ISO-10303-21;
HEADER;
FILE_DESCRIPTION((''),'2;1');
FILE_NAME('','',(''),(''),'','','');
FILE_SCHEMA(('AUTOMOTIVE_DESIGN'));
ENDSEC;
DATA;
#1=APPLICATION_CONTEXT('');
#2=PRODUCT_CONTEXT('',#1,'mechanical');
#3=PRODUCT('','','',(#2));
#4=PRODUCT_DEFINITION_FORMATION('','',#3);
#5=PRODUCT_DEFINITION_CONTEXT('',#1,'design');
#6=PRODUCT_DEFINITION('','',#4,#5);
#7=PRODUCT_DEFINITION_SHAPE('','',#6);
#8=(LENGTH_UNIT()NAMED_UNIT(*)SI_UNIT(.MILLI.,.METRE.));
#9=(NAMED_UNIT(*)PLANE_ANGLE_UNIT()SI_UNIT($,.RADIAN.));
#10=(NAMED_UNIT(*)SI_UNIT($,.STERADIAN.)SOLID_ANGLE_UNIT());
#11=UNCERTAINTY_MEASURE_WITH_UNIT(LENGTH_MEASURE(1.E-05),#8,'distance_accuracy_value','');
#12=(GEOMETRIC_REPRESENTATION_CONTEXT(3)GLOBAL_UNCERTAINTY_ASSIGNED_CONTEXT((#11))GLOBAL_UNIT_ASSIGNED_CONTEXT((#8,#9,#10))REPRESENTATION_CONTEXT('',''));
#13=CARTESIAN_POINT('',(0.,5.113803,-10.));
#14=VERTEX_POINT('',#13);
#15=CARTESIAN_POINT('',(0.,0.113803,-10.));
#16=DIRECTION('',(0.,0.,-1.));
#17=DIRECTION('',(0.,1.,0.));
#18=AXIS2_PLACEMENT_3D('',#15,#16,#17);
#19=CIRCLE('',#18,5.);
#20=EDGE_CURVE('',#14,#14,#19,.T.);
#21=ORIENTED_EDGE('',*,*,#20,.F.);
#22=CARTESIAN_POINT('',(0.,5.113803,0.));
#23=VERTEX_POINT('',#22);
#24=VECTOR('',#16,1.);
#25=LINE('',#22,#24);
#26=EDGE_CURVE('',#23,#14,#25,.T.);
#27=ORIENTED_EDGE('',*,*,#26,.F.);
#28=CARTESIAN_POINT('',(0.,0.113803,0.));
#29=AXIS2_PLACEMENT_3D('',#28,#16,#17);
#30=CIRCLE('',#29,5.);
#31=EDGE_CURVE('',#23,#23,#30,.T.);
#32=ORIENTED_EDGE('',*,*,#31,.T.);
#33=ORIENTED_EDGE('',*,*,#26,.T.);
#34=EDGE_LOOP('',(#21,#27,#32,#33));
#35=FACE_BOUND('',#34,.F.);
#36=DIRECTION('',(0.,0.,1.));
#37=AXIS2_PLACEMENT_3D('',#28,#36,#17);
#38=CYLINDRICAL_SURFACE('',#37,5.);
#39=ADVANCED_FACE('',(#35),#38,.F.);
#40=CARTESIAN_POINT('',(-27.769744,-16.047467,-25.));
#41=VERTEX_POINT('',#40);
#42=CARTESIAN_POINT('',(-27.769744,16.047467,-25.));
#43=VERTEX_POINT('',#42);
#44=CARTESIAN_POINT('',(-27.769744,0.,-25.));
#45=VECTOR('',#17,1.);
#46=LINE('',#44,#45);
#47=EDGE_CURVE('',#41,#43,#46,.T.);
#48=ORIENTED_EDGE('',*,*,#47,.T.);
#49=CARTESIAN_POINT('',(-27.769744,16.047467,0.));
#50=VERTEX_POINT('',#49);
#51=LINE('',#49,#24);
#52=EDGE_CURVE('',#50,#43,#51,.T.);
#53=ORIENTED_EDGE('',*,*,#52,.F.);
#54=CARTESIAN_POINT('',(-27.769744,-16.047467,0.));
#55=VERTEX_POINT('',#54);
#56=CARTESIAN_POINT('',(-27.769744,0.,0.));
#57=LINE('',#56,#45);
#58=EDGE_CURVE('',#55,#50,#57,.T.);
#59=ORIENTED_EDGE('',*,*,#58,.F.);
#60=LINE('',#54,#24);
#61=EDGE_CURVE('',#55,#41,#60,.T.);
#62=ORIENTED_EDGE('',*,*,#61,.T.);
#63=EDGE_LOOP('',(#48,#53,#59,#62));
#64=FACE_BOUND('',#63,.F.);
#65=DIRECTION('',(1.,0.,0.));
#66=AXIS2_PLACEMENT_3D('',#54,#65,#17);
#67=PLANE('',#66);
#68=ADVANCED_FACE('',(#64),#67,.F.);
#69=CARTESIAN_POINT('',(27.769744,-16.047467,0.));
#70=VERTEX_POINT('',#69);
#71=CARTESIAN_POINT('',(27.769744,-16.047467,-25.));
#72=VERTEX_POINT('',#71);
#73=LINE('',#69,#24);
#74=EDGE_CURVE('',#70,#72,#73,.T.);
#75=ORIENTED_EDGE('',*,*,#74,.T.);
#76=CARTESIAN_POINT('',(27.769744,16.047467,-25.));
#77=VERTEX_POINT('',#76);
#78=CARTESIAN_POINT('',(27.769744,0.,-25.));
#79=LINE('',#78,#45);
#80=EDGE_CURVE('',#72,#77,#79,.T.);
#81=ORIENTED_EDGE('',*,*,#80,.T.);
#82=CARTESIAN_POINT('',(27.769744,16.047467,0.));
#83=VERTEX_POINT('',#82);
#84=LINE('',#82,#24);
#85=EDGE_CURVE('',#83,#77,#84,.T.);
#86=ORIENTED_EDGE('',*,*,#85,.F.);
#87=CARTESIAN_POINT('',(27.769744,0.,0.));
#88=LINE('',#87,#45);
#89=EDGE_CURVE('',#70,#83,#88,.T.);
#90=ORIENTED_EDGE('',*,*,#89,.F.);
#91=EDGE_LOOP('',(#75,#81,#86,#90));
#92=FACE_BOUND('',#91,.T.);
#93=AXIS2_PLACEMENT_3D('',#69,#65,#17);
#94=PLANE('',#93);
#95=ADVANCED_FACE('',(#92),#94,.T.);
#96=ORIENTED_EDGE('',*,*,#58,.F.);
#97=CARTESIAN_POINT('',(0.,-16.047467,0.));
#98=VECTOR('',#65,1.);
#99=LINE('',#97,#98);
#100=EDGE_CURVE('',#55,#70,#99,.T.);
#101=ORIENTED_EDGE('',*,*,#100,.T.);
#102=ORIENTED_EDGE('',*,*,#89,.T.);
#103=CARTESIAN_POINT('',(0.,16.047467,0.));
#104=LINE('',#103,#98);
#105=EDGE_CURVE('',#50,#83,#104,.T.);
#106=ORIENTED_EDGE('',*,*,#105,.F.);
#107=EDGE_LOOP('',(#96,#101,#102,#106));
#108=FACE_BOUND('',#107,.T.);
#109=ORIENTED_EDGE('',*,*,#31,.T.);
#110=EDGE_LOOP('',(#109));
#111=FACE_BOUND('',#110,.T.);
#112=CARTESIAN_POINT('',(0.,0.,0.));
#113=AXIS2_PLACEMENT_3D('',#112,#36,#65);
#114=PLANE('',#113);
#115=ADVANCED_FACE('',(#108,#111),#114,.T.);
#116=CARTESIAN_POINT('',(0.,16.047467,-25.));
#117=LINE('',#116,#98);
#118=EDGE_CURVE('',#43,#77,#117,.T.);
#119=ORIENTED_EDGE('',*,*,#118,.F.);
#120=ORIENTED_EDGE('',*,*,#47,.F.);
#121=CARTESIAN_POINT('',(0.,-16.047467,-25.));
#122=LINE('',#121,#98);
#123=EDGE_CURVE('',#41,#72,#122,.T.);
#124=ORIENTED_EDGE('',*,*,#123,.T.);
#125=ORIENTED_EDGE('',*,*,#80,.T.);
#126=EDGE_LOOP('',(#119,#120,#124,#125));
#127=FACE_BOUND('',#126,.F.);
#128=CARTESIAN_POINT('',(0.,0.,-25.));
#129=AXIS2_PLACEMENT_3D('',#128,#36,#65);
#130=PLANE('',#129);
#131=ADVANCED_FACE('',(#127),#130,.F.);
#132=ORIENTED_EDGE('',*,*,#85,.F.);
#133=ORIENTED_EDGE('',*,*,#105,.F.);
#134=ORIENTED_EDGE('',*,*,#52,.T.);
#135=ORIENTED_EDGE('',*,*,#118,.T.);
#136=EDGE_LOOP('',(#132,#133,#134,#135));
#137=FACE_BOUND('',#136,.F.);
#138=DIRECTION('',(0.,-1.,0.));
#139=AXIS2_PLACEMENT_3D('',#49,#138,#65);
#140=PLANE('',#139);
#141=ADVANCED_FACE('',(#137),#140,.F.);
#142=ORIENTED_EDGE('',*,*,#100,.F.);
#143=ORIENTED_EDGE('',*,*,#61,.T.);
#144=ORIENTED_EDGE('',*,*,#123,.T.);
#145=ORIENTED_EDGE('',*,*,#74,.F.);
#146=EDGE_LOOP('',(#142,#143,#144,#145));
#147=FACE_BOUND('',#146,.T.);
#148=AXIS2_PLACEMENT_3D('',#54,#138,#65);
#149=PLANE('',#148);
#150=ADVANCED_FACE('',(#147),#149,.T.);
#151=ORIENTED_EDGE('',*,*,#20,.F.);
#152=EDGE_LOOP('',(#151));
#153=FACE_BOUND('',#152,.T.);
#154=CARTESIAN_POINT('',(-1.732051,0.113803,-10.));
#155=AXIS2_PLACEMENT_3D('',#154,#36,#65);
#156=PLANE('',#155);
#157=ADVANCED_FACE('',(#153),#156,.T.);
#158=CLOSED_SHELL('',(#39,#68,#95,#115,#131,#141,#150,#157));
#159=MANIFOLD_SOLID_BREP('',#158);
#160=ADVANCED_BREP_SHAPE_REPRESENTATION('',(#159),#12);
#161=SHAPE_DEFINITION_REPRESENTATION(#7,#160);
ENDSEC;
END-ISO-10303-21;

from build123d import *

# Parameters (mm, degrees)
F0_W     = 55.539488
F0_H     = 32.094934
F1_DEPTH = 25
F3_DEPTH = 10
F4_DEPTH = 10


with BuildPart() as f1:
    # F0 (on Top) → F1 (new body)
    with BuildSketch(Plane.XY):
        Rectangle(F0_W, F0_H)
    extrude(amount=-F1_DEPTH)

    # F2 (on face) → F3 (cut)
    with BuildSketch(Plane.XY):
        with BuildLine():
            ThreePointArc((0, 5.113803), (-5, 0.113803), (0, -4.886197))
            Line((0, -4.886197), (0, 5.113803))
        make_face()
    extrude(amount=-F3_DEPTH, mode=Mode.SUBTRACT)

    # F2 (on face) → F4 (cut)
    with BuildSketch(Plane.XY):
        with BuildLine():
            Line((0, 5.113803), (0, -4.886197))
            ThreePointArc((0, -4.886197), (5, 0.113803), (0, 5.113803))
        make_face()
    extrude(amount=-F4_DEPTH, mode=Mode.SUBTRACT)


solid = f1.part
